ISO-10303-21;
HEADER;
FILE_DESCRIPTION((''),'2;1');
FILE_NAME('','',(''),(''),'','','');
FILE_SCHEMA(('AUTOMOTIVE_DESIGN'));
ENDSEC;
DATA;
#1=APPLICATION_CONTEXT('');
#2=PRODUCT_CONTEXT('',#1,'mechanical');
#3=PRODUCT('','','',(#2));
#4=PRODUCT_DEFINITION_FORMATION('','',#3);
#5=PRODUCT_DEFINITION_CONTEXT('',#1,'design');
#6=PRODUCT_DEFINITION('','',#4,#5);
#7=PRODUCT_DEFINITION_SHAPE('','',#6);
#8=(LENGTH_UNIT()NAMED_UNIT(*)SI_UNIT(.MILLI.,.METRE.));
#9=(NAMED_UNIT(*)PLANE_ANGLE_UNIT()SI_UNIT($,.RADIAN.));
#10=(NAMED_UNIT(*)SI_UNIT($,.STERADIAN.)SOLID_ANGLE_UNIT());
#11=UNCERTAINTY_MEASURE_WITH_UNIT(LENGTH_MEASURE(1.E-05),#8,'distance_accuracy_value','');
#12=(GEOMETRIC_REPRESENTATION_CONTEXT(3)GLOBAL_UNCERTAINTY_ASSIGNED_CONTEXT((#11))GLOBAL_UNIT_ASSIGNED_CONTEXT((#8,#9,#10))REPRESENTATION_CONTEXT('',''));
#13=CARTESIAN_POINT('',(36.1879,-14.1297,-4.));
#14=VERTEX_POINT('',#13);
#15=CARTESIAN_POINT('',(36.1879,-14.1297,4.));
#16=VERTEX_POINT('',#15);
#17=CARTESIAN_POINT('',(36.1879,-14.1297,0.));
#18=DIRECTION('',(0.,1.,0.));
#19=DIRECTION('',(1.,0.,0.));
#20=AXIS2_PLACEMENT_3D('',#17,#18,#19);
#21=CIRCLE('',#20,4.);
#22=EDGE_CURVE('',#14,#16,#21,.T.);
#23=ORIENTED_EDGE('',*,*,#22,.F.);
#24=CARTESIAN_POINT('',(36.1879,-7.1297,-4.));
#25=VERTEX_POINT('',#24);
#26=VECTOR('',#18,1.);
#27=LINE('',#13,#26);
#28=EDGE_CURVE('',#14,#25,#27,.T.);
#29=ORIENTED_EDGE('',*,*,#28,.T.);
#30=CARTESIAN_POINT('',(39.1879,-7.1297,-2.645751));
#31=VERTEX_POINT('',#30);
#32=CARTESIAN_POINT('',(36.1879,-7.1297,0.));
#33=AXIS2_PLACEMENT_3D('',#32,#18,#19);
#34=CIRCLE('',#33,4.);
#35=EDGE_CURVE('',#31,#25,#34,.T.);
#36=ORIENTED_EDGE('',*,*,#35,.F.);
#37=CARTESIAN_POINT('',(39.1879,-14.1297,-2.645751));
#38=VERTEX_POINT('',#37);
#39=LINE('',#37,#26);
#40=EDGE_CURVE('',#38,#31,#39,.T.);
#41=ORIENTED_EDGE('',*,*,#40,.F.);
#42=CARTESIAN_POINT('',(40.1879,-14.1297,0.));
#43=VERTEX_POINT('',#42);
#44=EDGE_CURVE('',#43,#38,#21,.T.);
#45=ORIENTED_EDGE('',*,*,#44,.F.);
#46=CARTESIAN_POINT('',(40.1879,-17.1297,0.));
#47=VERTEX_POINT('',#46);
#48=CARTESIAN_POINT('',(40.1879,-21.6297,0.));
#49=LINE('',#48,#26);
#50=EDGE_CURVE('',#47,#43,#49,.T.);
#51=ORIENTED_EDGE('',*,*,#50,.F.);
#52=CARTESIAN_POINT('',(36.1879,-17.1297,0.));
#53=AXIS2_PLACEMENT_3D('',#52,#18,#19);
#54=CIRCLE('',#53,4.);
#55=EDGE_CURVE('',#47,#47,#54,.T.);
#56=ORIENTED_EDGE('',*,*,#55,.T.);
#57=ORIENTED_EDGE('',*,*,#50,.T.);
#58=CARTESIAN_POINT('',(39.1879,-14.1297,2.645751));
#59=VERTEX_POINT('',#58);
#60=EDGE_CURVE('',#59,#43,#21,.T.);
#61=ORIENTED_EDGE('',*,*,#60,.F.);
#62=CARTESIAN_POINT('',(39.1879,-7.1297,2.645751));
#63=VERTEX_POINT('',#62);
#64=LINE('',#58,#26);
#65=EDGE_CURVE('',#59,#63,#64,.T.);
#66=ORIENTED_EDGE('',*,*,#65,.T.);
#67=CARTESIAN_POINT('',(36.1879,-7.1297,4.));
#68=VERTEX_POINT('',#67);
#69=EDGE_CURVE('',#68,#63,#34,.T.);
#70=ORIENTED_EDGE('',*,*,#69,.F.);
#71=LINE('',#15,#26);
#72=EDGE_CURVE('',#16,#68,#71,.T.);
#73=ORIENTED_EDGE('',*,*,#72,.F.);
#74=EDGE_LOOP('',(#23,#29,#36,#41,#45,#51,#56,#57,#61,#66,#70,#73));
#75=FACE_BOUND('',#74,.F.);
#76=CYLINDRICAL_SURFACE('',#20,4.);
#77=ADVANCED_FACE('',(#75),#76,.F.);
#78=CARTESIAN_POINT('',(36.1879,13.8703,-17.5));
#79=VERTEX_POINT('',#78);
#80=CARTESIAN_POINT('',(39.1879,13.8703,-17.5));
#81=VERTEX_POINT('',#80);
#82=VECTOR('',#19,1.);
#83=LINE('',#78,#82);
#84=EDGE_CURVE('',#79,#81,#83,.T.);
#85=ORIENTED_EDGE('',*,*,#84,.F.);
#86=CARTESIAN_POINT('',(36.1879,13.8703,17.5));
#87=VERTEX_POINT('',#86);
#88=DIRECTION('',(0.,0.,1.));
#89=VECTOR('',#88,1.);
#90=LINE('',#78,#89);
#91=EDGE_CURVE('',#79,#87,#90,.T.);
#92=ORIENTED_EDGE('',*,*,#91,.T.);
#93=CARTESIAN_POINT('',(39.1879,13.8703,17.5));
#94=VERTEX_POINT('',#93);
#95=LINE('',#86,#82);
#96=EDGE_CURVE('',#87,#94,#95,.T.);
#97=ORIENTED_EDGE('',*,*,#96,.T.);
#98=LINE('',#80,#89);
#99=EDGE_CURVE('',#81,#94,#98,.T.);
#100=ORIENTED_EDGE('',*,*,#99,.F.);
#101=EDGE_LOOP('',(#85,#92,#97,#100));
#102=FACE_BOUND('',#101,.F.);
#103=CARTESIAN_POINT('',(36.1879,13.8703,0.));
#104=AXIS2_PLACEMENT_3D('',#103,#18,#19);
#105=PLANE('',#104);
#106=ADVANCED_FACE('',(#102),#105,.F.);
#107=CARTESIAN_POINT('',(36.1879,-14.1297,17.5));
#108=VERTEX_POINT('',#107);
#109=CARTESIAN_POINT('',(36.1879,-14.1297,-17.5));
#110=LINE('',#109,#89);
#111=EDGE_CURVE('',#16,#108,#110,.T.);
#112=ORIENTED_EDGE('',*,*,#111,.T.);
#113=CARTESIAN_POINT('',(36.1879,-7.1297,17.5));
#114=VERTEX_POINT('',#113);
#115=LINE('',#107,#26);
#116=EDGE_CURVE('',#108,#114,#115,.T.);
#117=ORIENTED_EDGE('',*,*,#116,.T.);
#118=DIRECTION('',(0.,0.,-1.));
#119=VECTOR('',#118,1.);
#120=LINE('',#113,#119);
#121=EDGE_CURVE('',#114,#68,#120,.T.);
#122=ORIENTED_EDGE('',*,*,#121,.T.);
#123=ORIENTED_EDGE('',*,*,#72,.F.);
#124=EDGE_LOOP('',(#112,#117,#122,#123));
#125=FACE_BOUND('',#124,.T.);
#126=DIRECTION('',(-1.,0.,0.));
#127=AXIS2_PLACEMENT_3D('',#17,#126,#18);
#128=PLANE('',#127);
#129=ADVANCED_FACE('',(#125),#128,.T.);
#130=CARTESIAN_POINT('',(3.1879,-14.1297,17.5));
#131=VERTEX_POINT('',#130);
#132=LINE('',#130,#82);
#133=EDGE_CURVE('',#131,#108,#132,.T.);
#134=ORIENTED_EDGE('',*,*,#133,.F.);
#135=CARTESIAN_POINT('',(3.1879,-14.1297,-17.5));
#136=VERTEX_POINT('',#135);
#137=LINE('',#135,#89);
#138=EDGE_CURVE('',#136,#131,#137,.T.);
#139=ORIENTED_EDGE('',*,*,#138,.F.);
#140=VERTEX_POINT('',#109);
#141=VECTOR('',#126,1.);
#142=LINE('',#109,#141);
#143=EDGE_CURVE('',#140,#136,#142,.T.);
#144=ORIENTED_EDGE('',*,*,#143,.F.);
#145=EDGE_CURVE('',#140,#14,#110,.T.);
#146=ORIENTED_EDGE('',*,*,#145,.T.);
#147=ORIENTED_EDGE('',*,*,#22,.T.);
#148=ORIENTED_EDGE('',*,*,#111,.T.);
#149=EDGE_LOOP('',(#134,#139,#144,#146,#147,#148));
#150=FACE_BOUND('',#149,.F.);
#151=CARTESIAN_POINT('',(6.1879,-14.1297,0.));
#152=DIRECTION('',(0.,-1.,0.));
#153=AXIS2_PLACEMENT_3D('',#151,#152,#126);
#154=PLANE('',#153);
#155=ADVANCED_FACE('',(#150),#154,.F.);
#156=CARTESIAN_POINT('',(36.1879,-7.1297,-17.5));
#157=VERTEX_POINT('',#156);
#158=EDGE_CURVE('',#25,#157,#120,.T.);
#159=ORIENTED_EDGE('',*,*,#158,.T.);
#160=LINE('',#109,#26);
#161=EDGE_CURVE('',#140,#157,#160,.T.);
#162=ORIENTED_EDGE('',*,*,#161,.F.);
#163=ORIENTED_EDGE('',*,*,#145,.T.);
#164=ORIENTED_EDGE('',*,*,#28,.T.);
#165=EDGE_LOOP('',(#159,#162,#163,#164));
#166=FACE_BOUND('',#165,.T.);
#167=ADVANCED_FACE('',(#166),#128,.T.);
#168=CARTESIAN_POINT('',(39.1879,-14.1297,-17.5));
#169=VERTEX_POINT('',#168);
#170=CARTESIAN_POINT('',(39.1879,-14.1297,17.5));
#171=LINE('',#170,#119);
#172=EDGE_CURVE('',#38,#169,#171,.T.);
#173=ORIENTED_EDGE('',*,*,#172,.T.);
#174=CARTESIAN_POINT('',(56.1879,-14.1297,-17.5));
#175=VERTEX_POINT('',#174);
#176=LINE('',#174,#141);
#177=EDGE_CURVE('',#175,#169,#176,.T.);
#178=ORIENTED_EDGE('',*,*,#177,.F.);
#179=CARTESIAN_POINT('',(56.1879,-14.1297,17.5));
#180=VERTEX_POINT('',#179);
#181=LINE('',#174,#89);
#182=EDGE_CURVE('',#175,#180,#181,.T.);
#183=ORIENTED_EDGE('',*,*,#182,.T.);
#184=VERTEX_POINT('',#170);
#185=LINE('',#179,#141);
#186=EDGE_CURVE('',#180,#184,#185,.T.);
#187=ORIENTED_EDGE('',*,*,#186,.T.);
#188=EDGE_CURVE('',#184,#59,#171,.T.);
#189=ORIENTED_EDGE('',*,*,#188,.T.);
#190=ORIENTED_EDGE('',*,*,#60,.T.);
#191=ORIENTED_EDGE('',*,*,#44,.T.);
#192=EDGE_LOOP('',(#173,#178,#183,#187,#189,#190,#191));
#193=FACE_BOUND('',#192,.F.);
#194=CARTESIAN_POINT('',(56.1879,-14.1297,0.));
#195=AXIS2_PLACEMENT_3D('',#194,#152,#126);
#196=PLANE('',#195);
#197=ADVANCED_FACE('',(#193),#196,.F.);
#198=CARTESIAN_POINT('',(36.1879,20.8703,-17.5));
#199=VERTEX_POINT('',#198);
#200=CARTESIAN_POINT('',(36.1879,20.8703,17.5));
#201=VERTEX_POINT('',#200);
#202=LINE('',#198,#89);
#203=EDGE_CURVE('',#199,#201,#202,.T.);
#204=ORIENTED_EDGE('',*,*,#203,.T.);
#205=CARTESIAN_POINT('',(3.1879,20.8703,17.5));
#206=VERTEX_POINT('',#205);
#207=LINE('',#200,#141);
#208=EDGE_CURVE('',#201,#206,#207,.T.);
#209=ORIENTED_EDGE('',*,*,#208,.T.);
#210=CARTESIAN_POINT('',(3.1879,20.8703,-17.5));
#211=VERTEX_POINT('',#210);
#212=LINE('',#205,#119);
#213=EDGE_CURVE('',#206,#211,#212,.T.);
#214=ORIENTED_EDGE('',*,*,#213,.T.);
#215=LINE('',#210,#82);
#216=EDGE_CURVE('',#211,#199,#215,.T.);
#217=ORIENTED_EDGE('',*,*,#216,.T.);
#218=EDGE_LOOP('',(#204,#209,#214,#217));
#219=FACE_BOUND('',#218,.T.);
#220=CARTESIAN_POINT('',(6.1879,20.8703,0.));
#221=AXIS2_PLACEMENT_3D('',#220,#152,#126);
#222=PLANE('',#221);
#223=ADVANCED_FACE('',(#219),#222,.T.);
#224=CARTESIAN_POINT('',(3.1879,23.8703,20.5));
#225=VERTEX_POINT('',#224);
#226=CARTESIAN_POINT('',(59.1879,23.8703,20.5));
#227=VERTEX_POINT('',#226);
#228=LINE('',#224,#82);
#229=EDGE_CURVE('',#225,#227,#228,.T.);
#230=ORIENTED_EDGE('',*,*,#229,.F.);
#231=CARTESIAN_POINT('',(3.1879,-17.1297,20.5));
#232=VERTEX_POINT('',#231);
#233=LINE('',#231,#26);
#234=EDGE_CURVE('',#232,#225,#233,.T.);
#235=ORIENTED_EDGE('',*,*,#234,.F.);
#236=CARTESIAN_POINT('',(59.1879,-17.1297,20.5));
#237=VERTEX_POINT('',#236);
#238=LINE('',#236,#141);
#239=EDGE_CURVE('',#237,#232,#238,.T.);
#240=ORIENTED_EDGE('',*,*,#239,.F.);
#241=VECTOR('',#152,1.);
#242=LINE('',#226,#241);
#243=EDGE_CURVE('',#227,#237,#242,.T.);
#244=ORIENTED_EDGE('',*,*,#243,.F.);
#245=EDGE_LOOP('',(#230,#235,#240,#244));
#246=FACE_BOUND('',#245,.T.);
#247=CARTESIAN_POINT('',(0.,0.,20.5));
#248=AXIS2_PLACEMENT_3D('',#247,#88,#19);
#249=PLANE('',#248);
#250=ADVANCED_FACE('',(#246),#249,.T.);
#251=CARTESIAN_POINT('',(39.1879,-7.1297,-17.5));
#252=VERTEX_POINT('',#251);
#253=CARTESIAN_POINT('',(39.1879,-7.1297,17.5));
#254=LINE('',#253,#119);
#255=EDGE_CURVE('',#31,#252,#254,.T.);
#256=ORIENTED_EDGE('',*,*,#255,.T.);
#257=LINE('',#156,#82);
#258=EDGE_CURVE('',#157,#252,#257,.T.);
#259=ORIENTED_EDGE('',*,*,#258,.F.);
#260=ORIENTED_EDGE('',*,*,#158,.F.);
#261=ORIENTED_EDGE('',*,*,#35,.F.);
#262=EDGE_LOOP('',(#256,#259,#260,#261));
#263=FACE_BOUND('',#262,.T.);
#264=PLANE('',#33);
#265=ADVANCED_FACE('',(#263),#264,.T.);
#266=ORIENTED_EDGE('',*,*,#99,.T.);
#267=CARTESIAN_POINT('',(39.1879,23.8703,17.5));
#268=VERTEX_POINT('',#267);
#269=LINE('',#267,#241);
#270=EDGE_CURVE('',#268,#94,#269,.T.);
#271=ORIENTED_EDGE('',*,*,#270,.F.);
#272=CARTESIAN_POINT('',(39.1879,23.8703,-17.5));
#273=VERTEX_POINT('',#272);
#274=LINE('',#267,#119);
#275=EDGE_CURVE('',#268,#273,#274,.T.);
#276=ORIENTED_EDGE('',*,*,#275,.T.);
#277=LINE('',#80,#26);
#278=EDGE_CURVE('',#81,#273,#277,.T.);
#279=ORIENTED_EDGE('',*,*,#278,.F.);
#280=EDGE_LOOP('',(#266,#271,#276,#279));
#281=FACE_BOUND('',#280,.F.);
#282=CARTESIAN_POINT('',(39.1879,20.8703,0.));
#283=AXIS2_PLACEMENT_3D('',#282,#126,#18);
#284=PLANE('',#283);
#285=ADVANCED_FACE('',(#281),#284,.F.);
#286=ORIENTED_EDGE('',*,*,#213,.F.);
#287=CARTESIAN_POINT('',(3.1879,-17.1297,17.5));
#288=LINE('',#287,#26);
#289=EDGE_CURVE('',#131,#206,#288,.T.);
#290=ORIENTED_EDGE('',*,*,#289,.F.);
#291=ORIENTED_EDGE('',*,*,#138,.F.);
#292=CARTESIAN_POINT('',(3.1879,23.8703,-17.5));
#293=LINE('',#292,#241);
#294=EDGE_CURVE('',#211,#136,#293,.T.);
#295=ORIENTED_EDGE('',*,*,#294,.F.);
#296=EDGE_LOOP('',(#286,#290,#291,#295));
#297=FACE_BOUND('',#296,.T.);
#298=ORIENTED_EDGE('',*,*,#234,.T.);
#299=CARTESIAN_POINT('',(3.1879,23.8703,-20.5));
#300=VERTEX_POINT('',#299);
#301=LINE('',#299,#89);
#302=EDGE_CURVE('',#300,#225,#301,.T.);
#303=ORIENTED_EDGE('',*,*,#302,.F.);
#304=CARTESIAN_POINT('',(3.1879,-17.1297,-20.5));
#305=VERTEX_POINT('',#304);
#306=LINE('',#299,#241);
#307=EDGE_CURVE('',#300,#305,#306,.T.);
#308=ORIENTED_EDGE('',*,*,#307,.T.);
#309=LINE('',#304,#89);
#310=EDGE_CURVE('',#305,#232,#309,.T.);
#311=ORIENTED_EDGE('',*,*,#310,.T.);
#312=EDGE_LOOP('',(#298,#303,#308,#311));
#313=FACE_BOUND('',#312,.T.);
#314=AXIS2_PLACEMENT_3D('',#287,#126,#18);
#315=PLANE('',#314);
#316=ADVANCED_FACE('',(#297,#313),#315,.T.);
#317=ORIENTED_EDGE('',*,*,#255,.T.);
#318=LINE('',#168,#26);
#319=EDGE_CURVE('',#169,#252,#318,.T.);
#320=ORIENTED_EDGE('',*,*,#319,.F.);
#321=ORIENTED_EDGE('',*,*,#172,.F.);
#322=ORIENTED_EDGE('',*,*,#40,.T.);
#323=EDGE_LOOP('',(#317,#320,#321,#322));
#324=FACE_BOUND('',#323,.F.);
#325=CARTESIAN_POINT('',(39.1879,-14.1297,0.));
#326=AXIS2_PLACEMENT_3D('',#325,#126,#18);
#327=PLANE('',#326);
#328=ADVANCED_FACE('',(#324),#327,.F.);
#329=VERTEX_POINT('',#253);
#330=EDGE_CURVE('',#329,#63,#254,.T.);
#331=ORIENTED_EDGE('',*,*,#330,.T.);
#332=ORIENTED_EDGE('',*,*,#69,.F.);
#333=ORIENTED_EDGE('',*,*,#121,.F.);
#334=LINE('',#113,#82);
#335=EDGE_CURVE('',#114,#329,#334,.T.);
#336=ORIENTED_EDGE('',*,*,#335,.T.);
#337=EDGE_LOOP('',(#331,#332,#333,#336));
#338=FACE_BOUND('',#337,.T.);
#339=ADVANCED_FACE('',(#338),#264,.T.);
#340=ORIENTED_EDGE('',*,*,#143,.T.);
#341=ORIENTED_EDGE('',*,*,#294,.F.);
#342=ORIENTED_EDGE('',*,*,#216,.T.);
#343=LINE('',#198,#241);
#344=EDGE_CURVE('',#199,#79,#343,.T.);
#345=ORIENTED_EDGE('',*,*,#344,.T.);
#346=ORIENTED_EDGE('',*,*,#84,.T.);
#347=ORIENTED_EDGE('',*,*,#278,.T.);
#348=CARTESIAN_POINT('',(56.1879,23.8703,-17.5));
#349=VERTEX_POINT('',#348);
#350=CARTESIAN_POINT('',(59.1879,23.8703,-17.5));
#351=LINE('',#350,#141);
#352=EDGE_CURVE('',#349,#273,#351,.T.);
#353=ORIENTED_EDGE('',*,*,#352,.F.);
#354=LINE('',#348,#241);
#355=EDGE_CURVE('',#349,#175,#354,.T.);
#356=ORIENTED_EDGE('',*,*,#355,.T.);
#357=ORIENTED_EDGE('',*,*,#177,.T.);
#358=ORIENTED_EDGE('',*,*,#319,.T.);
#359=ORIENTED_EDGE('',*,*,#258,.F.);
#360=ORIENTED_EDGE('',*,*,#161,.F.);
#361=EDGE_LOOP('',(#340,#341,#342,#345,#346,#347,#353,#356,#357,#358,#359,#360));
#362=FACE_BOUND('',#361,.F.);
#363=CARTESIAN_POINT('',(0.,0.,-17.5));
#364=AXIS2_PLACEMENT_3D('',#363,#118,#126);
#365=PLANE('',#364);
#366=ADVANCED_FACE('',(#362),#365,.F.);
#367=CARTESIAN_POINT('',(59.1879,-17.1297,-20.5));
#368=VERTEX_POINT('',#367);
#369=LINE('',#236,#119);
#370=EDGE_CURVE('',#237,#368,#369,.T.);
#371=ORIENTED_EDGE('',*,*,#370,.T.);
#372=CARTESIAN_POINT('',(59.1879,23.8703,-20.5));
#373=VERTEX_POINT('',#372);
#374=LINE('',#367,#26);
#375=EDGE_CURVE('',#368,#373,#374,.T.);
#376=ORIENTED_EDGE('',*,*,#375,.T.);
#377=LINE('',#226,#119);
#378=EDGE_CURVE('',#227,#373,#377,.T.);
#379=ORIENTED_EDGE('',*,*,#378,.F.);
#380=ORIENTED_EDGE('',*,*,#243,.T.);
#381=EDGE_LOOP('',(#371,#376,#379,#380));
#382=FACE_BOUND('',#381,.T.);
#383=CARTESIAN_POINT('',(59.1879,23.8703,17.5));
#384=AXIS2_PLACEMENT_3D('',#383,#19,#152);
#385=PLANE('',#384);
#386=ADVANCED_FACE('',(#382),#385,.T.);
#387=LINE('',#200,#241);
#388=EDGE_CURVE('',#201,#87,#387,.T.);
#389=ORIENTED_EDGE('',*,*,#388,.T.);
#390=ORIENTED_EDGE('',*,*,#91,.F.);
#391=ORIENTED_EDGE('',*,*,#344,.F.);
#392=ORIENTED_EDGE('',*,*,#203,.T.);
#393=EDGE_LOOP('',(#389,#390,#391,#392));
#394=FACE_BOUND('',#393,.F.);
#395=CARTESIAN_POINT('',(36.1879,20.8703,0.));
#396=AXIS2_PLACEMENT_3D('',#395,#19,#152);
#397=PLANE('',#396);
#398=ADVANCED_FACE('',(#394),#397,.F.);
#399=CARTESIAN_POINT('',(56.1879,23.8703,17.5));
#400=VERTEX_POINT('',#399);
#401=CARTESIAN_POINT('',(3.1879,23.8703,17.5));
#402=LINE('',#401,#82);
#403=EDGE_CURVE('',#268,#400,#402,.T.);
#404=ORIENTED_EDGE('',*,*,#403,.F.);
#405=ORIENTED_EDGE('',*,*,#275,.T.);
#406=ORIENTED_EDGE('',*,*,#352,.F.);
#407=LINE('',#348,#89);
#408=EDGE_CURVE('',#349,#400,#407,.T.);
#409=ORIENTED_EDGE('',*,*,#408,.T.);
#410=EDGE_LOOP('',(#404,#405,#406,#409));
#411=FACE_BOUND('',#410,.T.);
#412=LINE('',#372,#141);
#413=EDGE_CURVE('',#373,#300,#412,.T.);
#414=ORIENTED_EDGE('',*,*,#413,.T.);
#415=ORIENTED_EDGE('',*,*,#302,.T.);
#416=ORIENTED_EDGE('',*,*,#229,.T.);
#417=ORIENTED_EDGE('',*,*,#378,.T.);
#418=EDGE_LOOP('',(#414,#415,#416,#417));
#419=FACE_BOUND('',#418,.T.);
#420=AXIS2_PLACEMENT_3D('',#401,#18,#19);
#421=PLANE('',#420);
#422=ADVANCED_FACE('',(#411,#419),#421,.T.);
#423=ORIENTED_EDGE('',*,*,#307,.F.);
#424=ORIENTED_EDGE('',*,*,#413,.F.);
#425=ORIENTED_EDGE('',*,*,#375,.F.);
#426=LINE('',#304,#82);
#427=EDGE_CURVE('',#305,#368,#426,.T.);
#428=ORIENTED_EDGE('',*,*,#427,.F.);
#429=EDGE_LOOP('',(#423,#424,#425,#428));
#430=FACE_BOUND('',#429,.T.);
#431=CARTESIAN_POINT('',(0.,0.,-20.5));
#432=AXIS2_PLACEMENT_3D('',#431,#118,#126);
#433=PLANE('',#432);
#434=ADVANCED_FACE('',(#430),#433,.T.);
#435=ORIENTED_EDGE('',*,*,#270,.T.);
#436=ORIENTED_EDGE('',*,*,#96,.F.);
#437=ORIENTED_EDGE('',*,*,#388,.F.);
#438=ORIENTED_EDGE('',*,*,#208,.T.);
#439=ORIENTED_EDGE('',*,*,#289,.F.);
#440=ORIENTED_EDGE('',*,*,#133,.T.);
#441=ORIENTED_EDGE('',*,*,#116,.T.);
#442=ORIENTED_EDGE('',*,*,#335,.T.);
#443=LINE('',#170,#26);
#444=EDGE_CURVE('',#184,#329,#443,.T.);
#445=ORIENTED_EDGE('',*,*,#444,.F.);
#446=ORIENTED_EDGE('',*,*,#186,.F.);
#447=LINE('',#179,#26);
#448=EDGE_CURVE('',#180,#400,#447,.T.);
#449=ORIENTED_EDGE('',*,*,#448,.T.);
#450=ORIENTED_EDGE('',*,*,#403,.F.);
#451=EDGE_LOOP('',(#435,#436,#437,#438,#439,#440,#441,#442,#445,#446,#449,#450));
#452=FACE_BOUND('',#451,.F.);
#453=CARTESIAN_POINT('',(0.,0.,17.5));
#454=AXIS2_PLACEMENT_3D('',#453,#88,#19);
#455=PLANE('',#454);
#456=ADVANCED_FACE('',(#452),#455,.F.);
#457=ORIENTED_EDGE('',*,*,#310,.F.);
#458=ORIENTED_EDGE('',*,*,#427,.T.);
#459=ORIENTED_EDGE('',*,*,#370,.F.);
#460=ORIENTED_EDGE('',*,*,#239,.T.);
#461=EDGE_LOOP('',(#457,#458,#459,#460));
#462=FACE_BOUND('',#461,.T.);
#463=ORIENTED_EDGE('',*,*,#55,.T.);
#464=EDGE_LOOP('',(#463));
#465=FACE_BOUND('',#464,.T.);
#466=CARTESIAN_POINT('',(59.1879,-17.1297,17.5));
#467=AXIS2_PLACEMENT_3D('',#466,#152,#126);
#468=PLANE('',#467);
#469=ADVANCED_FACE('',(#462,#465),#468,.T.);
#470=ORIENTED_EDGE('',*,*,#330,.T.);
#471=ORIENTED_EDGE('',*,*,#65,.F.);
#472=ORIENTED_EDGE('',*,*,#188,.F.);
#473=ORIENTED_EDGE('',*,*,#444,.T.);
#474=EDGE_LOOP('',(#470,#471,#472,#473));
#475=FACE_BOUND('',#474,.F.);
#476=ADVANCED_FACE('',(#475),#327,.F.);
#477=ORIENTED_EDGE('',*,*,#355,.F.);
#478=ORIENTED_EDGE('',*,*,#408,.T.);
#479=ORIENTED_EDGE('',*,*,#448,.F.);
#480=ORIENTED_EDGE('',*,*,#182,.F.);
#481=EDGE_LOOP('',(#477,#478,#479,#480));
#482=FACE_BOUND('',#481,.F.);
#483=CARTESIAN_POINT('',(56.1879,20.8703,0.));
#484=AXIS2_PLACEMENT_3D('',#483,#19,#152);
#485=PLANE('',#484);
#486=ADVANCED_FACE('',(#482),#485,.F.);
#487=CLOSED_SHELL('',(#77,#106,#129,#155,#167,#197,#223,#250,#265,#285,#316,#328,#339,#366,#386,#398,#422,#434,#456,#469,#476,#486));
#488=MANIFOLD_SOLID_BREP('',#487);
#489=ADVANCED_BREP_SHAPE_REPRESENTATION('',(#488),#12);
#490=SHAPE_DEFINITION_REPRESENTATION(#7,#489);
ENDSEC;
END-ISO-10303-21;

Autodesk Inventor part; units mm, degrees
ref_plane "YZ Plane" through (0, 0, 0) normal (1, 0, 0) x (0, 1, 0)
ref_plane "XZ Plane" through (0, 0, 0) normal (0, 1, 0) x (-1, 0, 0)
ref_plane "XY Plane" through (0, 0, 0) normal (0, 0, 1) x (1, 0, 0)
sketch "Sketch1" plane through (0, 0, 0) normal (0, 0, 1) x (1, 0, 0)
  line L0 (6.1879, 20.8703) -> (36.1879, 20.8703)
  line L1 (36.1879, -14.1297) -> (6.1879, -14.1297)
  line L2 (39.1879, 23.8703) -> (3.1879, 23.8703)
  line L3 (3.1879, -17.1297) -> (39.1879, -17.1297)
  line L4 (56.1879, 23.8703) -> (59.1879, 23.8703)
  line L5 (59.1879, 23.8703) -> (59.1879, -17.1297)
  line L6 (59.1879, -17.1297) -> (39.1879, -17.1297)
  line L7 (56.1879, 20.8703) -> (56.1879, -14.1297)
  line L8 (56.1879, -14.1297) -> (39.1879, -14.1297)
  line L9 (36.1879, 20.8703) -> (36.1879, 13.8703)
  line L10 (36.1879, 13.8703) -> (39.1879, 13.8703)
  line L11 (36.1879, -14.1297) -> (36.1879, -7.1297)
  line L12 (36.1879, -7.1297) -> (39.1879, -7.1297)
  line L13 (36.1879, 20.8703) -> (36.1879, 13.8703)
  line L14 (36.1879, -7.1297) -> (36.1879, -14.1297)
  line L15 (39.1879, -14.1297) -> (39.1879, -7.1297)
  line L16 (39.1879, 13.8703) -> (39.1879, 20.8703)
  line L17 (3.1879, 23.8703) -> (3.1879, 20.8703)
  line L18 (3.1879, -14.1297) -> (3.1879, -17.1297)
  line L19 (6.1879, 20.8703) -> (3.1879, 20.8703)
  line L20 (6.1879, -14.1297) -> (3.1879, -14.1297)
  line L21 (39.1879, 20.8703) -> (39.1879, 23.8703)
  line L22 (56.1879, 20.8703) -> (56.1879, 23.8703)
  point P0 (0, 0)
  dimension "d1" = 35
  dimension "d2" = 3
  dimension "d3" = 20
  dimension "d5" = 7
  dimension "d6" = 7
  dimension "d7" = 30
extrude "Extrusion1" add sketch "Sketch1" along normal mid plane 35
sketch "Sketch2" plane through (0, 0, -17.5) normal (0, 0, -1) x (-1, 0, 0)
  line L0 (-59.1879, 23.8703) -> (-3.1879, 23.8703) projected
  line L1 (-3.1879, -17.1297) -> (-59.1879, -17.1297) projected
  line L2 (-59.1879, 23.8703) -> (-3.1879, 23.8703)
  line L3 (-3.1879, 23.8703) -> (-3.1879, -17.1297)
  line L4 (-3.1879, -17.1297) -> (-59.1879, -17.1297)
  line L5 (-59.1879, -17.1297) -> (-59.1879, 23.8703)
  point P0 (0, 0)
extrude "Extrusion3" add sketch "Sketch2" along normal blind 3
sketch "Sketch3" plane through (0, 0, 17.5) normal (0, 0, 1) x (1, 0, 0)
  line L0 (3.1879, 23.8703) -> (59.1879, 23.8703) projected
  line L1 (59.1879, -17.1297) -> (3.1879, -17.1297) projected
  line L2 (3.1879, 23.8703) -> (59.1879, 23.8703)
  line L3 (59.1879, 23.8703) -> (59.1879, -17.1297)
  line L4 (59.1879, -17.1297) -> (3.1879, -17.1297)
  line L5 (3.1879, -17.1297) -> (3.1879, 23.8703)
  point P0 (0, 0)
extrude "Extrusion4" add sketch "Sketch3" along normal blind 3
sketch "Sketch4" plane through (3.1879, -14.1297, -17.5) normal (0, 1, 0) x (1, 0, 0)
  line L0 (56, 3) -> (0, 3) projected
  line L1 (0, 3) -> (56, 3)
  line L2 (0, -38) -> (56, -38) projected
  line L3 (56, 3) -> (56, -38)
  line L4 (33, 0) -> (33, -35) projected
  circle A0 centre (33, -17.5) radius 4
  point P0 (-3.1879, -17.5)
  dimension "d18" = 8
extrude "Extrusion5" cut sketch "Sketch4" along normal mid plane 15
